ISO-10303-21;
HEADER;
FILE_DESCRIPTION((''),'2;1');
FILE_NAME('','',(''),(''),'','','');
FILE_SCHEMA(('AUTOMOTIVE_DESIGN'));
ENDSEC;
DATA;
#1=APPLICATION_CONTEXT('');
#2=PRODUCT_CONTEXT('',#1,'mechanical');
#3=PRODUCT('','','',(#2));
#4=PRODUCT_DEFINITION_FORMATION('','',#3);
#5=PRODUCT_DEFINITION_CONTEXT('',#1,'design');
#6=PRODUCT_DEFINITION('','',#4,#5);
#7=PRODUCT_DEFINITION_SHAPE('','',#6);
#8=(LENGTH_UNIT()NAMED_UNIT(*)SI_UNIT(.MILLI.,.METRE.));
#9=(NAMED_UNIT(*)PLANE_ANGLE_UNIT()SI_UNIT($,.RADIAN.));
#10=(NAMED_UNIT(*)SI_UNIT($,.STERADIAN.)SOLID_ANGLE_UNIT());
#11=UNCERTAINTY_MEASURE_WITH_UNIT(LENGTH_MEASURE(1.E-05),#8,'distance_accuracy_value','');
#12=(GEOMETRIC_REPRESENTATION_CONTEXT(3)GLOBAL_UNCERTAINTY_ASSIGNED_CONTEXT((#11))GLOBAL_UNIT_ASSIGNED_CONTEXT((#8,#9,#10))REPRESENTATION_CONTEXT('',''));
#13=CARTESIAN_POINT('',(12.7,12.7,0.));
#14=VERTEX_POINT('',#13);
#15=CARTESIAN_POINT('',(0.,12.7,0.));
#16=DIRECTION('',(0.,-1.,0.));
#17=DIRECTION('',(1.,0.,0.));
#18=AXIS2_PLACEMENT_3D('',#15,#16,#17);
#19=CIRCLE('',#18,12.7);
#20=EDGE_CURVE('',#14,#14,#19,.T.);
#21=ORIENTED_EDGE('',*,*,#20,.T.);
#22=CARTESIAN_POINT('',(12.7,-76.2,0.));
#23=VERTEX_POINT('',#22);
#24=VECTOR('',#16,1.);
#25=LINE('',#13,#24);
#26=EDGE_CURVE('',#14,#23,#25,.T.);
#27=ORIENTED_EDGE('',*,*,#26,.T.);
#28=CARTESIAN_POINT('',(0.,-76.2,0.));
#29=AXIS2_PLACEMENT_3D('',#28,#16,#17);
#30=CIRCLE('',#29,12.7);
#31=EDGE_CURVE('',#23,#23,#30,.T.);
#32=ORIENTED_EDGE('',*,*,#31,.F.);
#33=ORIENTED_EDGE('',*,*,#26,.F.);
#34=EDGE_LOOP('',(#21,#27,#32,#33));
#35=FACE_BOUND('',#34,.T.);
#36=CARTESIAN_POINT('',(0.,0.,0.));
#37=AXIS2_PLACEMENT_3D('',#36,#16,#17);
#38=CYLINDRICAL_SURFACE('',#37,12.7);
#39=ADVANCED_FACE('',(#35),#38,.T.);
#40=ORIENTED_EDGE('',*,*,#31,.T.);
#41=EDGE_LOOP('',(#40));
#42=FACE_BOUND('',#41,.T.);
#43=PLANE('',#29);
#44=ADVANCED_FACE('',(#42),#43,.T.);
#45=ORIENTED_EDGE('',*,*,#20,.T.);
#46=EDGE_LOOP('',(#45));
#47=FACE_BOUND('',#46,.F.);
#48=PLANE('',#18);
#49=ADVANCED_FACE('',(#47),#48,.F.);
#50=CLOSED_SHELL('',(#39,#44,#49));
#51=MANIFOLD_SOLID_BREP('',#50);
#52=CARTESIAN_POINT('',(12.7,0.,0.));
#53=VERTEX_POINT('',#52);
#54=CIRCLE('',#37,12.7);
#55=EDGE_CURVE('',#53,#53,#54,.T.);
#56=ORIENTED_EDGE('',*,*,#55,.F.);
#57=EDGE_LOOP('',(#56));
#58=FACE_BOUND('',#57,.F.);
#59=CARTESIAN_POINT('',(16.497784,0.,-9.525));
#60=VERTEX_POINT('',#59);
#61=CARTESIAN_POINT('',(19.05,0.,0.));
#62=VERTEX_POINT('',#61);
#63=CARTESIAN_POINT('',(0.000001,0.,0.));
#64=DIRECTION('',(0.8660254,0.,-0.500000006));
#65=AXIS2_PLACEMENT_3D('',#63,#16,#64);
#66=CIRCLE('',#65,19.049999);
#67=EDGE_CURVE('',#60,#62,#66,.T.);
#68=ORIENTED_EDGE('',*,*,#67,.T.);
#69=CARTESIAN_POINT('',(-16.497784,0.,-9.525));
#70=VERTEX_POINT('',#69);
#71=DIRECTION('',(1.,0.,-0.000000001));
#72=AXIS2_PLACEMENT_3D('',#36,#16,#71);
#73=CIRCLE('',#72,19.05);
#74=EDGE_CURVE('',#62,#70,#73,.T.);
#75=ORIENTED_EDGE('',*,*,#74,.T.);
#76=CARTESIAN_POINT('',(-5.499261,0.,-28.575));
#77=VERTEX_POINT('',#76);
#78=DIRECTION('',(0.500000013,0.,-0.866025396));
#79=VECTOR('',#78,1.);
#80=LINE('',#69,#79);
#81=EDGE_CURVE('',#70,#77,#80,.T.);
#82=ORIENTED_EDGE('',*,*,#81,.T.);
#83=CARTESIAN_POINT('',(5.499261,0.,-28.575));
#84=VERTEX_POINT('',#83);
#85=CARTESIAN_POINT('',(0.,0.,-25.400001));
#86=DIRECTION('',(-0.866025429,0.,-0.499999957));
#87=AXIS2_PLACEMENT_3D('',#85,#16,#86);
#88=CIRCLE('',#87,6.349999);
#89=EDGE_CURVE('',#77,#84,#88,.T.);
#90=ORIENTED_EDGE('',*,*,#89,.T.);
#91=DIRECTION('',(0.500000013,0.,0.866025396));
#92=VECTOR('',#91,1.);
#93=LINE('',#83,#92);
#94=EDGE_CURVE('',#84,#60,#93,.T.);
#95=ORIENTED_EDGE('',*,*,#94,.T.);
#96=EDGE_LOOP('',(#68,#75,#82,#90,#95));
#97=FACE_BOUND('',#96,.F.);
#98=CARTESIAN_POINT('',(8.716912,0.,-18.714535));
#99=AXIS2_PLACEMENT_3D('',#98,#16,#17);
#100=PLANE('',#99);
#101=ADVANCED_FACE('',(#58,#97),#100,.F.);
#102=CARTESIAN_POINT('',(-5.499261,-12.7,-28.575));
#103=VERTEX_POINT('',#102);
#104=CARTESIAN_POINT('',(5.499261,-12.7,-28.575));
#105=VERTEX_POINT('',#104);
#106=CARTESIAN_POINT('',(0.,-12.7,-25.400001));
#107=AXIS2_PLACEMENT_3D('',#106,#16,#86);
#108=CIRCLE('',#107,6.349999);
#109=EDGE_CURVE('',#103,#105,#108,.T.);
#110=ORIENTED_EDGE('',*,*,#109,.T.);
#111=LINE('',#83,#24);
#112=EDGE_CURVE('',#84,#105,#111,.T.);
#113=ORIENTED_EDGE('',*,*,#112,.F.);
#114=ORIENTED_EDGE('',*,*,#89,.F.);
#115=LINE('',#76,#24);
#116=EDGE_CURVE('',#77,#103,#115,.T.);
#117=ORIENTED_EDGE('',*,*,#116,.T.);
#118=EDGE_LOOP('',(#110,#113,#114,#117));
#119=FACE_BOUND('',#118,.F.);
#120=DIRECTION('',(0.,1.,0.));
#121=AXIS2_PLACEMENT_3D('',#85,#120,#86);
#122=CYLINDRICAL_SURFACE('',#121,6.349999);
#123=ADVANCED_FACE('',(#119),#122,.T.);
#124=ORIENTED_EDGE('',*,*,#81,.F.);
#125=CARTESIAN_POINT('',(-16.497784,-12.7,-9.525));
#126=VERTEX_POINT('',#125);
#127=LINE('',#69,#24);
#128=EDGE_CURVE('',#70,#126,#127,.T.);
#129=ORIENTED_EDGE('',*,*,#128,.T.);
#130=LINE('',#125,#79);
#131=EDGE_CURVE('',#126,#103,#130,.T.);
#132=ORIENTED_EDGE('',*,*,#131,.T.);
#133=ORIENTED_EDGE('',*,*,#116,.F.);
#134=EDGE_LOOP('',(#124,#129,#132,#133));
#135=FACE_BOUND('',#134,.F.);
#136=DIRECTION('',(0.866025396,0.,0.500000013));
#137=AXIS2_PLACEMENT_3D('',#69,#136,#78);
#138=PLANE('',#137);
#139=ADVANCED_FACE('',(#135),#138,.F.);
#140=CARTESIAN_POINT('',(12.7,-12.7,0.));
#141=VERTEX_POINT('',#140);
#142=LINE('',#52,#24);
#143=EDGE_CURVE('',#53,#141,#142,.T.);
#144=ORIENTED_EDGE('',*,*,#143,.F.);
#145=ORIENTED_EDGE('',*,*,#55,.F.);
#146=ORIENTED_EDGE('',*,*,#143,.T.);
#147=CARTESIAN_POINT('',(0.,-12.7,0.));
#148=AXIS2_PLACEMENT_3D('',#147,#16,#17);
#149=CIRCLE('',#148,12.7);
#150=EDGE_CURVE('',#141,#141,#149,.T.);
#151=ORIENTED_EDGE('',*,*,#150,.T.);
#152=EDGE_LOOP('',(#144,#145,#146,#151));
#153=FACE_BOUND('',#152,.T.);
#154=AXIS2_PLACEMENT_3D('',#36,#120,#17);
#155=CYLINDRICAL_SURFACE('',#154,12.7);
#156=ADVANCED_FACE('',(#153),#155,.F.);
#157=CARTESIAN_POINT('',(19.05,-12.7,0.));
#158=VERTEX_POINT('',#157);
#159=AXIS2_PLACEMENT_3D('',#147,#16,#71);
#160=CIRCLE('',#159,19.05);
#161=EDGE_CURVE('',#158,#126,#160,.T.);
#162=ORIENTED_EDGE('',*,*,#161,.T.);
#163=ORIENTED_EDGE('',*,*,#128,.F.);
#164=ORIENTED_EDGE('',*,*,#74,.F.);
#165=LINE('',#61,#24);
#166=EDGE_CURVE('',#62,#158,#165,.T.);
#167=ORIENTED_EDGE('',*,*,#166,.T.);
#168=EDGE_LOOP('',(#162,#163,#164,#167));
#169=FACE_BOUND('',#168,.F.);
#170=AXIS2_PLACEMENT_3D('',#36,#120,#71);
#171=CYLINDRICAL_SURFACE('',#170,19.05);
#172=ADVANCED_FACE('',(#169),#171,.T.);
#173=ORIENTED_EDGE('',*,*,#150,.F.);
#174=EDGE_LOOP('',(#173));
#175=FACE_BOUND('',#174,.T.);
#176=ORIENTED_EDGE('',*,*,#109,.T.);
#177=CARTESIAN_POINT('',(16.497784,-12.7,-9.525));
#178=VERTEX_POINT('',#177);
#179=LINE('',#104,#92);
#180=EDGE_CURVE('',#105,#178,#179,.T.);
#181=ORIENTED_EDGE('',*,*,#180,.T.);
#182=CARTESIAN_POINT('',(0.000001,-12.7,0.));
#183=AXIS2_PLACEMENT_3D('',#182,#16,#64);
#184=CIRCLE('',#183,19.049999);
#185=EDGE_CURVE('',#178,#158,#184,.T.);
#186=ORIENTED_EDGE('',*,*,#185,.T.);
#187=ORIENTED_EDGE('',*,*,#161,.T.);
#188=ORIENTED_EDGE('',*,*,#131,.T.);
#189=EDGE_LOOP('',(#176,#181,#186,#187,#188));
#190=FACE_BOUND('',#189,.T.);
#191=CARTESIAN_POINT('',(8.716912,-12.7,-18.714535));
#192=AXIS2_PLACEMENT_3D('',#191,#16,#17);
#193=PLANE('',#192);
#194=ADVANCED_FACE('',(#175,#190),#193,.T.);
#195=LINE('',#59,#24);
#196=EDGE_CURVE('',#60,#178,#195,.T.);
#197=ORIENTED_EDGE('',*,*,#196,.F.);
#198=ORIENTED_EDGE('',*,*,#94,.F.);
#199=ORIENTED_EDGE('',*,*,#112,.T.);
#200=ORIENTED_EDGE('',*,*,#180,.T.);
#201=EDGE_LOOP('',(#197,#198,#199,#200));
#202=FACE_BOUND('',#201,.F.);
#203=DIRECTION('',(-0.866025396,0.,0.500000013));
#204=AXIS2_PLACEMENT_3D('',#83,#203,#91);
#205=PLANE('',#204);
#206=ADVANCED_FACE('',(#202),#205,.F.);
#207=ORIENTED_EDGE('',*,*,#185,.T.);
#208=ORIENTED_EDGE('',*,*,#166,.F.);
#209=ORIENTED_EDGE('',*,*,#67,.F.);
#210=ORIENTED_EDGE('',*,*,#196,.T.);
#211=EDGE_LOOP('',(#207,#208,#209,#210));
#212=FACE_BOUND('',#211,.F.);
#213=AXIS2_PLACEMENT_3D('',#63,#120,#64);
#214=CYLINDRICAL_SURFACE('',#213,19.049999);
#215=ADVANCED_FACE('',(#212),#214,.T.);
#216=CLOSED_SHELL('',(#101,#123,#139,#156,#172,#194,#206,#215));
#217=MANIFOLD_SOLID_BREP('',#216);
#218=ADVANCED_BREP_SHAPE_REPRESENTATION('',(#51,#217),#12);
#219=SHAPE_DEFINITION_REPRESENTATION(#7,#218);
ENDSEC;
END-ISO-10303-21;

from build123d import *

# Parameters (mm, degrees)
F0_R          = 12.7
F1_DEPTH      = 12.7
F2_R          = 12.7
F3_DEPTH      = 76.2
F3_DEPTH_BACK = 12.7


with BuildPart() as f1:
    # F0 (on Front) → F1 (new body)
    with BuildSketch(Plane.XZ):
        with BuildLine():
            Line((5.499261, -28.575), (16.497784, -9.525))
            ThreePointArc((16.497784, -9.525), (9.525, -16.497784), (0, -19.05))
            ThreePointArc((0, -19.05), (4.490128, -20.909872), (6.35, -25.4))
            ThreePointArc((6.35, -25.4), (6.133629, -27.043501), (5.499261, -28.575))
        make_face()
        with BuildLine():
            ThreePointArc((6.35, -25.4), (4.490128, -20.909872), (0, -19.05))
            ThreePointArc((0, -19.05), (-5.499261, -22.225), (-5.499261, -28.575))
            ThreePointArc((-5.499261, -28.575), (0, -31.75), (5.499261, -28.575))
            ThreePointArc((5.499261, -28.575), (6.133629, -27.043501), (6.35, -25.4))
        make_face()
        with BuildLine():
            ThreePointArc((16.497784, -9.525), (18.400887, -4.930503), (19.05, 0))
            ThreePointArc((19.05, 0), (-4.930503, 18.400887), (-16.497784, -9.525))
            ThreePointArc((-16.497784, -9.525), (-9.525, -16.497784), (0, -19.05))
            ThreePointArc((0, -19.05), (9.525, -16.497784), (16.497784, -9.525))
        make_face()
        Circle(F0_R, mode=Mode.SUBTRACT)
        with BuildLine():
            ThreePointArc((0, -19.05), (-9.525, -16.497784), (-16.497784, -9.525))
            Line((-16.497784, -9.525), (-5.499261, -28.575))
            ThreePointArc((-5.499261, -28.575), (-5.499261, -22.225), (0, -19.05))
        make_face()
    extrude(amount=F1_DEPTH)


with BuildPart() as f3:
    # F2 (on Front) → F3 (new body, two sides)
    with BuildSketch(Plane.XZ) as f3_sk:
        Circle(F2_R)
    extrude(amount=F3_DEPTH)
    extrude(f3_sk.sketch, amount=-F3_DEPTH_BACK)


solid = Compound([f1.part, f3.part])
